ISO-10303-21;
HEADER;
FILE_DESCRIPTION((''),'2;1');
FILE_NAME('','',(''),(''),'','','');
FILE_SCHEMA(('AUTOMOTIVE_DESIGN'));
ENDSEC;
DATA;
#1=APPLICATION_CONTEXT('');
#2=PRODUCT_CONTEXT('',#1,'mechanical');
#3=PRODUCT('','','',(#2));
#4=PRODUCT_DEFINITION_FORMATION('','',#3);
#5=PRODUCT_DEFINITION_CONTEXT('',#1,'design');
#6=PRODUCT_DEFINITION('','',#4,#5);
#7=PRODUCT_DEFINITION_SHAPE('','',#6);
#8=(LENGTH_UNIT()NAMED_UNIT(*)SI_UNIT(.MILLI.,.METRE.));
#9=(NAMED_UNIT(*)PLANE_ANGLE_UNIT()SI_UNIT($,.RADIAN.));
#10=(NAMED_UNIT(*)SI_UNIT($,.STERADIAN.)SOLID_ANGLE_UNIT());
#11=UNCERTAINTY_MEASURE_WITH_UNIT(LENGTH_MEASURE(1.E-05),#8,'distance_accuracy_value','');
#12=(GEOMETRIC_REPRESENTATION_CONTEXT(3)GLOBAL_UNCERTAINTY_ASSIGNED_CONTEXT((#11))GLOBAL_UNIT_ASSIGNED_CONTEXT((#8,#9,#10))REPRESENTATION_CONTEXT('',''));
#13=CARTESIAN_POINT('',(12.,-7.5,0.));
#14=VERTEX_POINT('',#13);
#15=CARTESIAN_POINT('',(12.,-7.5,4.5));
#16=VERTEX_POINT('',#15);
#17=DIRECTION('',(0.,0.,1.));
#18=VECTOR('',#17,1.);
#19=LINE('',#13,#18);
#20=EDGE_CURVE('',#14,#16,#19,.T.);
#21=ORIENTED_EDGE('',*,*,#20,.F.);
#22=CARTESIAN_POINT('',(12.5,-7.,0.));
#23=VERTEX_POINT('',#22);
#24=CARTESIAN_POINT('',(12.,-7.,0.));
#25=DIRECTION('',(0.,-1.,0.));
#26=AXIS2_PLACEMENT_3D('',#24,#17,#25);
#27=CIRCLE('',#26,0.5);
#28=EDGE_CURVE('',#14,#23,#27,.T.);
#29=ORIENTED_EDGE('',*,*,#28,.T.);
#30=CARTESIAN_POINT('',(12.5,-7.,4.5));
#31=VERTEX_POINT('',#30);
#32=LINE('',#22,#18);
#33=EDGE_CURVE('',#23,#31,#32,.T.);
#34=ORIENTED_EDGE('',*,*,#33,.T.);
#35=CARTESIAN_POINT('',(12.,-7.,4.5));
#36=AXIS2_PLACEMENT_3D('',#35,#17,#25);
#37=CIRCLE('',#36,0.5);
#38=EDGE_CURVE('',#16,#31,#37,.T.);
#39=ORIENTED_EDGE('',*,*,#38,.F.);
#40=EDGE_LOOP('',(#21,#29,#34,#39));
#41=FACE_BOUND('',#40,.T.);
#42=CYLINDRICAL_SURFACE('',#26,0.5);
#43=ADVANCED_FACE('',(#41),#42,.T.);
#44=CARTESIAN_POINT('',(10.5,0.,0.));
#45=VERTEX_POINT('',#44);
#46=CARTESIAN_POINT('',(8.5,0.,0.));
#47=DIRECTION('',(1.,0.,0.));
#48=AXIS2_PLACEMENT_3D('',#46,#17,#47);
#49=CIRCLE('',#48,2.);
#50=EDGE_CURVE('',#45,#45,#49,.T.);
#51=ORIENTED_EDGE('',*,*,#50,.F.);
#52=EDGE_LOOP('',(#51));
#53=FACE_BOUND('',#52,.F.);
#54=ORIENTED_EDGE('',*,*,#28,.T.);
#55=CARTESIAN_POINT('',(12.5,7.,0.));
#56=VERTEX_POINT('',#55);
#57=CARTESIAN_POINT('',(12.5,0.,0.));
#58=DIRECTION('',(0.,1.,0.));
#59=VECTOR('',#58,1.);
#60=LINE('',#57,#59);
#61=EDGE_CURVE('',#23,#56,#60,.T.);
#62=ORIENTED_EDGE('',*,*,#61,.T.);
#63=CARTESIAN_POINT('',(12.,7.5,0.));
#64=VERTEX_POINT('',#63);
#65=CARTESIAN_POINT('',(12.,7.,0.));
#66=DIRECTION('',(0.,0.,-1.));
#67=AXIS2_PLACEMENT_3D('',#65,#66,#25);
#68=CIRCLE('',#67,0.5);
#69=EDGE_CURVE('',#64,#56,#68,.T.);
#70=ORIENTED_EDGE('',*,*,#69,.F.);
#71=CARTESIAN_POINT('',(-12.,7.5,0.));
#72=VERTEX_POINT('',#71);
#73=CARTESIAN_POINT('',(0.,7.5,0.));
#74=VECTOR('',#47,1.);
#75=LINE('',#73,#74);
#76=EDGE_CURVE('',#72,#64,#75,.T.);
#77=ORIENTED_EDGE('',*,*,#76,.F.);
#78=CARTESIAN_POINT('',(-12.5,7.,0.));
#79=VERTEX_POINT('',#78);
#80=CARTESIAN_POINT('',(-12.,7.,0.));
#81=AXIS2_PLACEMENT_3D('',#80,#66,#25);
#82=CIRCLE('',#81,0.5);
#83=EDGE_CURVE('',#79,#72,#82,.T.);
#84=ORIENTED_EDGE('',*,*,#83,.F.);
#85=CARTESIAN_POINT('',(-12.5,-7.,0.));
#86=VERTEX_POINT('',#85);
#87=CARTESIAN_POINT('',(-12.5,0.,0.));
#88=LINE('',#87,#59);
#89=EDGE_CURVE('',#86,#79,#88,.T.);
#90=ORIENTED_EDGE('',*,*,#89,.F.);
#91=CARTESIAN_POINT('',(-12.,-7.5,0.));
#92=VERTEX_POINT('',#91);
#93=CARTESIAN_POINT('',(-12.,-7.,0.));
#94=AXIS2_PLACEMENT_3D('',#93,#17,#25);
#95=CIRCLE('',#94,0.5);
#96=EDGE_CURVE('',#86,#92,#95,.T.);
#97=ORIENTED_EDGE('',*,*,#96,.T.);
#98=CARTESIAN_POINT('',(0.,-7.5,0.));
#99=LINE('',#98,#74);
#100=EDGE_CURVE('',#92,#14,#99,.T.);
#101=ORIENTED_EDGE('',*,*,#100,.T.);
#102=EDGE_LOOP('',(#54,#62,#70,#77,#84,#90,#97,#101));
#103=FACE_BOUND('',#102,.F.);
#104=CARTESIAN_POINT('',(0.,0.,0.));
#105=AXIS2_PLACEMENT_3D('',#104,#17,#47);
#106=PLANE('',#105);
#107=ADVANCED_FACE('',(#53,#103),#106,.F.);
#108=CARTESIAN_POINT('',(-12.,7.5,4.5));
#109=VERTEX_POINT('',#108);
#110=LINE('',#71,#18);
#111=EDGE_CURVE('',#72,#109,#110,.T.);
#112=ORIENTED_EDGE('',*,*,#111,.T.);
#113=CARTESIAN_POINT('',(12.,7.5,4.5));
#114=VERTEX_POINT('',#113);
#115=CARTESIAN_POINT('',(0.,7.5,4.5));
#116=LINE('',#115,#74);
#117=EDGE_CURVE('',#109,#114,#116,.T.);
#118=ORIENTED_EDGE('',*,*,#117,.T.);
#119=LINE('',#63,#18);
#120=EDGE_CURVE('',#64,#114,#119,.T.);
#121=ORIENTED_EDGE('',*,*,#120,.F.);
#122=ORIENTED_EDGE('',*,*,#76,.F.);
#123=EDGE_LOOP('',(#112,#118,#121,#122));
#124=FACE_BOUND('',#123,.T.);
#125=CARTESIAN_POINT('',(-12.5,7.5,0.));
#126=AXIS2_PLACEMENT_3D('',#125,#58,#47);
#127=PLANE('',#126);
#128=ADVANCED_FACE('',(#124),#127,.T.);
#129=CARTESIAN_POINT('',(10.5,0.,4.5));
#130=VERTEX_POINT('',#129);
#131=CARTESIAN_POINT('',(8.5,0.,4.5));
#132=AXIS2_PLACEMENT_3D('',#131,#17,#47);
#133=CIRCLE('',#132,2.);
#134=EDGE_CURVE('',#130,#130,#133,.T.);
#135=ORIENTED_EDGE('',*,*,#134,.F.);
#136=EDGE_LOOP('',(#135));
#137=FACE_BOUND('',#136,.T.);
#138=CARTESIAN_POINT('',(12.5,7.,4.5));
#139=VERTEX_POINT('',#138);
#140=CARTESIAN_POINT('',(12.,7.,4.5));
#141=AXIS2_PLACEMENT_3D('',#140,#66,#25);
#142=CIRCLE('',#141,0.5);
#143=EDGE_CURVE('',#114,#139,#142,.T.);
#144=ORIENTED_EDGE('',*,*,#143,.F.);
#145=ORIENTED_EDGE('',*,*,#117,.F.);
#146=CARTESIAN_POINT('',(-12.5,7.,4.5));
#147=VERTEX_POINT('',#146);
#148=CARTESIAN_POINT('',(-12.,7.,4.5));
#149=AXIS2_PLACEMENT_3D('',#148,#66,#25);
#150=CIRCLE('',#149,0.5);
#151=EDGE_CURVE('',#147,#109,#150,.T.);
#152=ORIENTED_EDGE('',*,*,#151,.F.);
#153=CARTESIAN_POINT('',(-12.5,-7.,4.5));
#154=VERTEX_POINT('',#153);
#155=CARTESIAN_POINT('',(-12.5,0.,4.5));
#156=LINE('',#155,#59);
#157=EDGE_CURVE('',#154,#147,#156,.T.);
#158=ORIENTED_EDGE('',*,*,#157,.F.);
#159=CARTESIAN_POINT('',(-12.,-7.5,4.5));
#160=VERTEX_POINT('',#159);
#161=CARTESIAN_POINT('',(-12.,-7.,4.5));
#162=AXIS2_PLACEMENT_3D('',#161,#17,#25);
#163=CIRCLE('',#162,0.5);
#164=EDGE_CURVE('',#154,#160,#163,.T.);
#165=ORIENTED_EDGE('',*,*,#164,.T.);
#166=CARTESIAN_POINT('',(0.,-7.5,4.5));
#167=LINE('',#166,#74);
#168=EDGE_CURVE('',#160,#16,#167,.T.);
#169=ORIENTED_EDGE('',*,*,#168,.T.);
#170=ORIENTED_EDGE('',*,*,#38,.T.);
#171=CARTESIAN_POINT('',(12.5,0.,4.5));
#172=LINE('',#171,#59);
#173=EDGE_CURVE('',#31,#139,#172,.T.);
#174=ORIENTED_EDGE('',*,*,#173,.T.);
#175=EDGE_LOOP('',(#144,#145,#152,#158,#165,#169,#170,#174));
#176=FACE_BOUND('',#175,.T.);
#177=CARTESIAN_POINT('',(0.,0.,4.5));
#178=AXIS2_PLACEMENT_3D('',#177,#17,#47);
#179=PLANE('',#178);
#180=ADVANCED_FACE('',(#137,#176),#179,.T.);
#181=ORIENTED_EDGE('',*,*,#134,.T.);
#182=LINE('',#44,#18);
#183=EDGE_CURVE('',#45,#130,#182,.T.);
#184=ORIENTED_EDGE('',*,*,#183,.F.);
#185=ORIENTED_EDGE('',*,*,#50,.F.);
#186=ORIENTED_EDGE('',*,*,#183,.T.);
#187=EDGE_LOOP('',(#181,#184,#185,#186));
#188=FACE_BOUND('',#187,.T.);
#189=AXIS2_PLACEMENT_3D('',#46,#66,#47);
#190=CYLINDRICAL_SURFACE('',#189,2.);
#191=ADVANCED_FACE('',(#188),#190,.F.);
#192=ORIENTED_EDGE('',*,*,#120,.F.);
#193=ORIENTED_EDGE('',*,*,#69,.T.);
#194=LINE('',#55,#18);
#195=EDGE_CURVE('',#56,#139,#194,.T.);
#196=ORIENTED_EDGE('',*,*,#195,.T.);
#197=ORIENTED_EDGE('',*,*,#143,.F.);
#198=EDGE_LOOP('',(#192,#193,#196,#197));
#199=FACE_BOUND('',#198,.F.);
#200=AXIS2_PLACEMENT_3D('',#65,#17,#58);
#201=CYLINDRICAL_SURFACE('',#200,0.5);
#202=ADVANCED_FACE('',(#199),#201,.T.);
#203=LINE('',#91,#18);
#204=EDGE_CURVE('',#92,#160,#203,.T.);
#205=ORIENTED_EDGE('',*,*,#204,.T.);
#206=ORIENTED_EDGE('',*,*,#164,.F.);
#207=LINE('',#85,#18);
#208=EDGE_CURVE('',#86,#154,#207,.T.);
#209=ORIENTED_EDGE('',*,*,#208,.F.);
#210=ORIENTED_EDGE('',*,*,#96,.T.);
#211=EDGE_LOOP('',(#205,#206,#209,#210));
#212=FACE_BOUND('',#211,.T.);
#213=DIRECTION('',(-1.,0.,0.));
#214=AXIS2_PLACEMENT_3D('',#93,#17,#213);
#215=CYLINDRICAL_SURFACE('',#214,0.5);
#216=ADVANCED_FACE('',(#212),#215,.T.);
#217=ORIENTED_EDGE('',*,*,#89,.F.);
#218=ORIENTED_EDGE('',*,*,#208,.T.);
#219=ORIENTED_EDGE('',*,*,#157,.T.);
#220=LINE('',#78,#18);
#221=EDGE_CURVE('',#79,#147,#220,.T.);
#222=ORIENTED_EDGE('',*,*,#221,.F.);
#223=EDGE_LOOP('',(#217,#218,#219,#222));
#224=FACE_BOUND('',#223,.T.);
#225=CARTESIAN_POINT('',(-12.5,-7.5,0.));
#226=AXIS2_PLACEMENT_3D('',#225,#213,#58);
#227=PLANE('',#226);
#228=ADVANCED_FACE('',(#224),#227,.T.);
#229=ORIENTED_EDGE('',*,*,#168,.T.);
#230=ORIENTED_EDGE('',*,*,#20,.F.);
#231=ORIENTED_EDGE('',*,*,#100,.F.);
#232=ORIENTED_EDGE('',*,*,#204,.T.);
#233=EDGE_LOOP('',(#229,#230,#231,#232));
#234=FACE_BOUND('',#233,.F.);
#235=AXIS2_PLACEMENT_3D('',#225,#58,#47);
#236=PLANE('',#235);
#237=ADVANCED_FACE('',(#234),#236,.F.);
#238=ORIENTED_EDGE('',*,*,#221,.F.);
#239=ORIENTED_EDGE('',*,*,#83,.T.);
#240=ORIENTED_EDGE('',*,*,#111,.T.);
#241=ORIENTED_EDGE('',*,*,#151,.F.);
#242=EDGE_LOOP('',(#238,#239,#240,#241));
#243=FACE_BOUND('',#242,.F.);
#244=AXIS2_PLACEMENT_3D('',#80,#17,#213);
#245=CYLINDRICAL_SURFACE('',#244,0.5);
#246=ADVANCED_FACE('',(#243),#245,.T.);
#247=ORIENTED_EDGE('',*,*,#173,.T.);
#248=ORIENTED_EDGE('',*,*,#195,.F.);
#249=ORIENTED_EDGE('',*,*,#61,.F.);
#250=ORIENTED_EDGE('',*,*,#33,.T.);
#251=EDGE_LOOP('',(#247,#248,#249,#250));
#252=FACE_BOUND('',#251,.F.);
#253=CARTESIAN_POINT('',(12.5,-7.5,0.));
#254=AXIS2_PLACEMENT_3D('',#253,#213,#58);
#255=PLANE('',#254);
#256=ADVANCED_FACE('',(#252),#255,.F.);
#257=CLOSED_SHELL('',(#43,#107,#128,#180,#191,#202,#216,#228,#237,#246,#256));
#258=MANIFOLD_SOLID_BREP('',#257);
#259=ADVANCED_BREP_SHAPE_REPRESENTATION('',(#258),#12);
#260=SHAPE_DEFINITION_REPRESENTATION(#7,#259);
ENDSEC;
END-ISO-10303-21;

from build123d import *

# Parameters (mm, degrees)
F0_W     = 25
F0_H     = 15
F0_R     = 2
F1_DEPTH = 4.5
F2_R     = 0.5


with BuildPart() as f1:
    # F0 (on Top) → F1 (new body)
    with BuildSketch(Plane.XY):
        Rectangle(F0_W, F0_H)
        with Locations((8.5, 0)):
            Circle(F0_R, mode=Mode.SUBTRACT)
    extrude(amount=F1_DEPTH)

    # F2
    f2_edges = [f1.edges().sort_by_distance(p)[0] for p in [
        (-12.5, 7.5, 2.25),
        (12.5, 7.5, 2.25),
        (12.5, -7.5, 2.25),
        (-12.5, -7.5, 2.25),
    ]]
    fillet(f2_edges, radius=F2_R)


solid = f1.part
